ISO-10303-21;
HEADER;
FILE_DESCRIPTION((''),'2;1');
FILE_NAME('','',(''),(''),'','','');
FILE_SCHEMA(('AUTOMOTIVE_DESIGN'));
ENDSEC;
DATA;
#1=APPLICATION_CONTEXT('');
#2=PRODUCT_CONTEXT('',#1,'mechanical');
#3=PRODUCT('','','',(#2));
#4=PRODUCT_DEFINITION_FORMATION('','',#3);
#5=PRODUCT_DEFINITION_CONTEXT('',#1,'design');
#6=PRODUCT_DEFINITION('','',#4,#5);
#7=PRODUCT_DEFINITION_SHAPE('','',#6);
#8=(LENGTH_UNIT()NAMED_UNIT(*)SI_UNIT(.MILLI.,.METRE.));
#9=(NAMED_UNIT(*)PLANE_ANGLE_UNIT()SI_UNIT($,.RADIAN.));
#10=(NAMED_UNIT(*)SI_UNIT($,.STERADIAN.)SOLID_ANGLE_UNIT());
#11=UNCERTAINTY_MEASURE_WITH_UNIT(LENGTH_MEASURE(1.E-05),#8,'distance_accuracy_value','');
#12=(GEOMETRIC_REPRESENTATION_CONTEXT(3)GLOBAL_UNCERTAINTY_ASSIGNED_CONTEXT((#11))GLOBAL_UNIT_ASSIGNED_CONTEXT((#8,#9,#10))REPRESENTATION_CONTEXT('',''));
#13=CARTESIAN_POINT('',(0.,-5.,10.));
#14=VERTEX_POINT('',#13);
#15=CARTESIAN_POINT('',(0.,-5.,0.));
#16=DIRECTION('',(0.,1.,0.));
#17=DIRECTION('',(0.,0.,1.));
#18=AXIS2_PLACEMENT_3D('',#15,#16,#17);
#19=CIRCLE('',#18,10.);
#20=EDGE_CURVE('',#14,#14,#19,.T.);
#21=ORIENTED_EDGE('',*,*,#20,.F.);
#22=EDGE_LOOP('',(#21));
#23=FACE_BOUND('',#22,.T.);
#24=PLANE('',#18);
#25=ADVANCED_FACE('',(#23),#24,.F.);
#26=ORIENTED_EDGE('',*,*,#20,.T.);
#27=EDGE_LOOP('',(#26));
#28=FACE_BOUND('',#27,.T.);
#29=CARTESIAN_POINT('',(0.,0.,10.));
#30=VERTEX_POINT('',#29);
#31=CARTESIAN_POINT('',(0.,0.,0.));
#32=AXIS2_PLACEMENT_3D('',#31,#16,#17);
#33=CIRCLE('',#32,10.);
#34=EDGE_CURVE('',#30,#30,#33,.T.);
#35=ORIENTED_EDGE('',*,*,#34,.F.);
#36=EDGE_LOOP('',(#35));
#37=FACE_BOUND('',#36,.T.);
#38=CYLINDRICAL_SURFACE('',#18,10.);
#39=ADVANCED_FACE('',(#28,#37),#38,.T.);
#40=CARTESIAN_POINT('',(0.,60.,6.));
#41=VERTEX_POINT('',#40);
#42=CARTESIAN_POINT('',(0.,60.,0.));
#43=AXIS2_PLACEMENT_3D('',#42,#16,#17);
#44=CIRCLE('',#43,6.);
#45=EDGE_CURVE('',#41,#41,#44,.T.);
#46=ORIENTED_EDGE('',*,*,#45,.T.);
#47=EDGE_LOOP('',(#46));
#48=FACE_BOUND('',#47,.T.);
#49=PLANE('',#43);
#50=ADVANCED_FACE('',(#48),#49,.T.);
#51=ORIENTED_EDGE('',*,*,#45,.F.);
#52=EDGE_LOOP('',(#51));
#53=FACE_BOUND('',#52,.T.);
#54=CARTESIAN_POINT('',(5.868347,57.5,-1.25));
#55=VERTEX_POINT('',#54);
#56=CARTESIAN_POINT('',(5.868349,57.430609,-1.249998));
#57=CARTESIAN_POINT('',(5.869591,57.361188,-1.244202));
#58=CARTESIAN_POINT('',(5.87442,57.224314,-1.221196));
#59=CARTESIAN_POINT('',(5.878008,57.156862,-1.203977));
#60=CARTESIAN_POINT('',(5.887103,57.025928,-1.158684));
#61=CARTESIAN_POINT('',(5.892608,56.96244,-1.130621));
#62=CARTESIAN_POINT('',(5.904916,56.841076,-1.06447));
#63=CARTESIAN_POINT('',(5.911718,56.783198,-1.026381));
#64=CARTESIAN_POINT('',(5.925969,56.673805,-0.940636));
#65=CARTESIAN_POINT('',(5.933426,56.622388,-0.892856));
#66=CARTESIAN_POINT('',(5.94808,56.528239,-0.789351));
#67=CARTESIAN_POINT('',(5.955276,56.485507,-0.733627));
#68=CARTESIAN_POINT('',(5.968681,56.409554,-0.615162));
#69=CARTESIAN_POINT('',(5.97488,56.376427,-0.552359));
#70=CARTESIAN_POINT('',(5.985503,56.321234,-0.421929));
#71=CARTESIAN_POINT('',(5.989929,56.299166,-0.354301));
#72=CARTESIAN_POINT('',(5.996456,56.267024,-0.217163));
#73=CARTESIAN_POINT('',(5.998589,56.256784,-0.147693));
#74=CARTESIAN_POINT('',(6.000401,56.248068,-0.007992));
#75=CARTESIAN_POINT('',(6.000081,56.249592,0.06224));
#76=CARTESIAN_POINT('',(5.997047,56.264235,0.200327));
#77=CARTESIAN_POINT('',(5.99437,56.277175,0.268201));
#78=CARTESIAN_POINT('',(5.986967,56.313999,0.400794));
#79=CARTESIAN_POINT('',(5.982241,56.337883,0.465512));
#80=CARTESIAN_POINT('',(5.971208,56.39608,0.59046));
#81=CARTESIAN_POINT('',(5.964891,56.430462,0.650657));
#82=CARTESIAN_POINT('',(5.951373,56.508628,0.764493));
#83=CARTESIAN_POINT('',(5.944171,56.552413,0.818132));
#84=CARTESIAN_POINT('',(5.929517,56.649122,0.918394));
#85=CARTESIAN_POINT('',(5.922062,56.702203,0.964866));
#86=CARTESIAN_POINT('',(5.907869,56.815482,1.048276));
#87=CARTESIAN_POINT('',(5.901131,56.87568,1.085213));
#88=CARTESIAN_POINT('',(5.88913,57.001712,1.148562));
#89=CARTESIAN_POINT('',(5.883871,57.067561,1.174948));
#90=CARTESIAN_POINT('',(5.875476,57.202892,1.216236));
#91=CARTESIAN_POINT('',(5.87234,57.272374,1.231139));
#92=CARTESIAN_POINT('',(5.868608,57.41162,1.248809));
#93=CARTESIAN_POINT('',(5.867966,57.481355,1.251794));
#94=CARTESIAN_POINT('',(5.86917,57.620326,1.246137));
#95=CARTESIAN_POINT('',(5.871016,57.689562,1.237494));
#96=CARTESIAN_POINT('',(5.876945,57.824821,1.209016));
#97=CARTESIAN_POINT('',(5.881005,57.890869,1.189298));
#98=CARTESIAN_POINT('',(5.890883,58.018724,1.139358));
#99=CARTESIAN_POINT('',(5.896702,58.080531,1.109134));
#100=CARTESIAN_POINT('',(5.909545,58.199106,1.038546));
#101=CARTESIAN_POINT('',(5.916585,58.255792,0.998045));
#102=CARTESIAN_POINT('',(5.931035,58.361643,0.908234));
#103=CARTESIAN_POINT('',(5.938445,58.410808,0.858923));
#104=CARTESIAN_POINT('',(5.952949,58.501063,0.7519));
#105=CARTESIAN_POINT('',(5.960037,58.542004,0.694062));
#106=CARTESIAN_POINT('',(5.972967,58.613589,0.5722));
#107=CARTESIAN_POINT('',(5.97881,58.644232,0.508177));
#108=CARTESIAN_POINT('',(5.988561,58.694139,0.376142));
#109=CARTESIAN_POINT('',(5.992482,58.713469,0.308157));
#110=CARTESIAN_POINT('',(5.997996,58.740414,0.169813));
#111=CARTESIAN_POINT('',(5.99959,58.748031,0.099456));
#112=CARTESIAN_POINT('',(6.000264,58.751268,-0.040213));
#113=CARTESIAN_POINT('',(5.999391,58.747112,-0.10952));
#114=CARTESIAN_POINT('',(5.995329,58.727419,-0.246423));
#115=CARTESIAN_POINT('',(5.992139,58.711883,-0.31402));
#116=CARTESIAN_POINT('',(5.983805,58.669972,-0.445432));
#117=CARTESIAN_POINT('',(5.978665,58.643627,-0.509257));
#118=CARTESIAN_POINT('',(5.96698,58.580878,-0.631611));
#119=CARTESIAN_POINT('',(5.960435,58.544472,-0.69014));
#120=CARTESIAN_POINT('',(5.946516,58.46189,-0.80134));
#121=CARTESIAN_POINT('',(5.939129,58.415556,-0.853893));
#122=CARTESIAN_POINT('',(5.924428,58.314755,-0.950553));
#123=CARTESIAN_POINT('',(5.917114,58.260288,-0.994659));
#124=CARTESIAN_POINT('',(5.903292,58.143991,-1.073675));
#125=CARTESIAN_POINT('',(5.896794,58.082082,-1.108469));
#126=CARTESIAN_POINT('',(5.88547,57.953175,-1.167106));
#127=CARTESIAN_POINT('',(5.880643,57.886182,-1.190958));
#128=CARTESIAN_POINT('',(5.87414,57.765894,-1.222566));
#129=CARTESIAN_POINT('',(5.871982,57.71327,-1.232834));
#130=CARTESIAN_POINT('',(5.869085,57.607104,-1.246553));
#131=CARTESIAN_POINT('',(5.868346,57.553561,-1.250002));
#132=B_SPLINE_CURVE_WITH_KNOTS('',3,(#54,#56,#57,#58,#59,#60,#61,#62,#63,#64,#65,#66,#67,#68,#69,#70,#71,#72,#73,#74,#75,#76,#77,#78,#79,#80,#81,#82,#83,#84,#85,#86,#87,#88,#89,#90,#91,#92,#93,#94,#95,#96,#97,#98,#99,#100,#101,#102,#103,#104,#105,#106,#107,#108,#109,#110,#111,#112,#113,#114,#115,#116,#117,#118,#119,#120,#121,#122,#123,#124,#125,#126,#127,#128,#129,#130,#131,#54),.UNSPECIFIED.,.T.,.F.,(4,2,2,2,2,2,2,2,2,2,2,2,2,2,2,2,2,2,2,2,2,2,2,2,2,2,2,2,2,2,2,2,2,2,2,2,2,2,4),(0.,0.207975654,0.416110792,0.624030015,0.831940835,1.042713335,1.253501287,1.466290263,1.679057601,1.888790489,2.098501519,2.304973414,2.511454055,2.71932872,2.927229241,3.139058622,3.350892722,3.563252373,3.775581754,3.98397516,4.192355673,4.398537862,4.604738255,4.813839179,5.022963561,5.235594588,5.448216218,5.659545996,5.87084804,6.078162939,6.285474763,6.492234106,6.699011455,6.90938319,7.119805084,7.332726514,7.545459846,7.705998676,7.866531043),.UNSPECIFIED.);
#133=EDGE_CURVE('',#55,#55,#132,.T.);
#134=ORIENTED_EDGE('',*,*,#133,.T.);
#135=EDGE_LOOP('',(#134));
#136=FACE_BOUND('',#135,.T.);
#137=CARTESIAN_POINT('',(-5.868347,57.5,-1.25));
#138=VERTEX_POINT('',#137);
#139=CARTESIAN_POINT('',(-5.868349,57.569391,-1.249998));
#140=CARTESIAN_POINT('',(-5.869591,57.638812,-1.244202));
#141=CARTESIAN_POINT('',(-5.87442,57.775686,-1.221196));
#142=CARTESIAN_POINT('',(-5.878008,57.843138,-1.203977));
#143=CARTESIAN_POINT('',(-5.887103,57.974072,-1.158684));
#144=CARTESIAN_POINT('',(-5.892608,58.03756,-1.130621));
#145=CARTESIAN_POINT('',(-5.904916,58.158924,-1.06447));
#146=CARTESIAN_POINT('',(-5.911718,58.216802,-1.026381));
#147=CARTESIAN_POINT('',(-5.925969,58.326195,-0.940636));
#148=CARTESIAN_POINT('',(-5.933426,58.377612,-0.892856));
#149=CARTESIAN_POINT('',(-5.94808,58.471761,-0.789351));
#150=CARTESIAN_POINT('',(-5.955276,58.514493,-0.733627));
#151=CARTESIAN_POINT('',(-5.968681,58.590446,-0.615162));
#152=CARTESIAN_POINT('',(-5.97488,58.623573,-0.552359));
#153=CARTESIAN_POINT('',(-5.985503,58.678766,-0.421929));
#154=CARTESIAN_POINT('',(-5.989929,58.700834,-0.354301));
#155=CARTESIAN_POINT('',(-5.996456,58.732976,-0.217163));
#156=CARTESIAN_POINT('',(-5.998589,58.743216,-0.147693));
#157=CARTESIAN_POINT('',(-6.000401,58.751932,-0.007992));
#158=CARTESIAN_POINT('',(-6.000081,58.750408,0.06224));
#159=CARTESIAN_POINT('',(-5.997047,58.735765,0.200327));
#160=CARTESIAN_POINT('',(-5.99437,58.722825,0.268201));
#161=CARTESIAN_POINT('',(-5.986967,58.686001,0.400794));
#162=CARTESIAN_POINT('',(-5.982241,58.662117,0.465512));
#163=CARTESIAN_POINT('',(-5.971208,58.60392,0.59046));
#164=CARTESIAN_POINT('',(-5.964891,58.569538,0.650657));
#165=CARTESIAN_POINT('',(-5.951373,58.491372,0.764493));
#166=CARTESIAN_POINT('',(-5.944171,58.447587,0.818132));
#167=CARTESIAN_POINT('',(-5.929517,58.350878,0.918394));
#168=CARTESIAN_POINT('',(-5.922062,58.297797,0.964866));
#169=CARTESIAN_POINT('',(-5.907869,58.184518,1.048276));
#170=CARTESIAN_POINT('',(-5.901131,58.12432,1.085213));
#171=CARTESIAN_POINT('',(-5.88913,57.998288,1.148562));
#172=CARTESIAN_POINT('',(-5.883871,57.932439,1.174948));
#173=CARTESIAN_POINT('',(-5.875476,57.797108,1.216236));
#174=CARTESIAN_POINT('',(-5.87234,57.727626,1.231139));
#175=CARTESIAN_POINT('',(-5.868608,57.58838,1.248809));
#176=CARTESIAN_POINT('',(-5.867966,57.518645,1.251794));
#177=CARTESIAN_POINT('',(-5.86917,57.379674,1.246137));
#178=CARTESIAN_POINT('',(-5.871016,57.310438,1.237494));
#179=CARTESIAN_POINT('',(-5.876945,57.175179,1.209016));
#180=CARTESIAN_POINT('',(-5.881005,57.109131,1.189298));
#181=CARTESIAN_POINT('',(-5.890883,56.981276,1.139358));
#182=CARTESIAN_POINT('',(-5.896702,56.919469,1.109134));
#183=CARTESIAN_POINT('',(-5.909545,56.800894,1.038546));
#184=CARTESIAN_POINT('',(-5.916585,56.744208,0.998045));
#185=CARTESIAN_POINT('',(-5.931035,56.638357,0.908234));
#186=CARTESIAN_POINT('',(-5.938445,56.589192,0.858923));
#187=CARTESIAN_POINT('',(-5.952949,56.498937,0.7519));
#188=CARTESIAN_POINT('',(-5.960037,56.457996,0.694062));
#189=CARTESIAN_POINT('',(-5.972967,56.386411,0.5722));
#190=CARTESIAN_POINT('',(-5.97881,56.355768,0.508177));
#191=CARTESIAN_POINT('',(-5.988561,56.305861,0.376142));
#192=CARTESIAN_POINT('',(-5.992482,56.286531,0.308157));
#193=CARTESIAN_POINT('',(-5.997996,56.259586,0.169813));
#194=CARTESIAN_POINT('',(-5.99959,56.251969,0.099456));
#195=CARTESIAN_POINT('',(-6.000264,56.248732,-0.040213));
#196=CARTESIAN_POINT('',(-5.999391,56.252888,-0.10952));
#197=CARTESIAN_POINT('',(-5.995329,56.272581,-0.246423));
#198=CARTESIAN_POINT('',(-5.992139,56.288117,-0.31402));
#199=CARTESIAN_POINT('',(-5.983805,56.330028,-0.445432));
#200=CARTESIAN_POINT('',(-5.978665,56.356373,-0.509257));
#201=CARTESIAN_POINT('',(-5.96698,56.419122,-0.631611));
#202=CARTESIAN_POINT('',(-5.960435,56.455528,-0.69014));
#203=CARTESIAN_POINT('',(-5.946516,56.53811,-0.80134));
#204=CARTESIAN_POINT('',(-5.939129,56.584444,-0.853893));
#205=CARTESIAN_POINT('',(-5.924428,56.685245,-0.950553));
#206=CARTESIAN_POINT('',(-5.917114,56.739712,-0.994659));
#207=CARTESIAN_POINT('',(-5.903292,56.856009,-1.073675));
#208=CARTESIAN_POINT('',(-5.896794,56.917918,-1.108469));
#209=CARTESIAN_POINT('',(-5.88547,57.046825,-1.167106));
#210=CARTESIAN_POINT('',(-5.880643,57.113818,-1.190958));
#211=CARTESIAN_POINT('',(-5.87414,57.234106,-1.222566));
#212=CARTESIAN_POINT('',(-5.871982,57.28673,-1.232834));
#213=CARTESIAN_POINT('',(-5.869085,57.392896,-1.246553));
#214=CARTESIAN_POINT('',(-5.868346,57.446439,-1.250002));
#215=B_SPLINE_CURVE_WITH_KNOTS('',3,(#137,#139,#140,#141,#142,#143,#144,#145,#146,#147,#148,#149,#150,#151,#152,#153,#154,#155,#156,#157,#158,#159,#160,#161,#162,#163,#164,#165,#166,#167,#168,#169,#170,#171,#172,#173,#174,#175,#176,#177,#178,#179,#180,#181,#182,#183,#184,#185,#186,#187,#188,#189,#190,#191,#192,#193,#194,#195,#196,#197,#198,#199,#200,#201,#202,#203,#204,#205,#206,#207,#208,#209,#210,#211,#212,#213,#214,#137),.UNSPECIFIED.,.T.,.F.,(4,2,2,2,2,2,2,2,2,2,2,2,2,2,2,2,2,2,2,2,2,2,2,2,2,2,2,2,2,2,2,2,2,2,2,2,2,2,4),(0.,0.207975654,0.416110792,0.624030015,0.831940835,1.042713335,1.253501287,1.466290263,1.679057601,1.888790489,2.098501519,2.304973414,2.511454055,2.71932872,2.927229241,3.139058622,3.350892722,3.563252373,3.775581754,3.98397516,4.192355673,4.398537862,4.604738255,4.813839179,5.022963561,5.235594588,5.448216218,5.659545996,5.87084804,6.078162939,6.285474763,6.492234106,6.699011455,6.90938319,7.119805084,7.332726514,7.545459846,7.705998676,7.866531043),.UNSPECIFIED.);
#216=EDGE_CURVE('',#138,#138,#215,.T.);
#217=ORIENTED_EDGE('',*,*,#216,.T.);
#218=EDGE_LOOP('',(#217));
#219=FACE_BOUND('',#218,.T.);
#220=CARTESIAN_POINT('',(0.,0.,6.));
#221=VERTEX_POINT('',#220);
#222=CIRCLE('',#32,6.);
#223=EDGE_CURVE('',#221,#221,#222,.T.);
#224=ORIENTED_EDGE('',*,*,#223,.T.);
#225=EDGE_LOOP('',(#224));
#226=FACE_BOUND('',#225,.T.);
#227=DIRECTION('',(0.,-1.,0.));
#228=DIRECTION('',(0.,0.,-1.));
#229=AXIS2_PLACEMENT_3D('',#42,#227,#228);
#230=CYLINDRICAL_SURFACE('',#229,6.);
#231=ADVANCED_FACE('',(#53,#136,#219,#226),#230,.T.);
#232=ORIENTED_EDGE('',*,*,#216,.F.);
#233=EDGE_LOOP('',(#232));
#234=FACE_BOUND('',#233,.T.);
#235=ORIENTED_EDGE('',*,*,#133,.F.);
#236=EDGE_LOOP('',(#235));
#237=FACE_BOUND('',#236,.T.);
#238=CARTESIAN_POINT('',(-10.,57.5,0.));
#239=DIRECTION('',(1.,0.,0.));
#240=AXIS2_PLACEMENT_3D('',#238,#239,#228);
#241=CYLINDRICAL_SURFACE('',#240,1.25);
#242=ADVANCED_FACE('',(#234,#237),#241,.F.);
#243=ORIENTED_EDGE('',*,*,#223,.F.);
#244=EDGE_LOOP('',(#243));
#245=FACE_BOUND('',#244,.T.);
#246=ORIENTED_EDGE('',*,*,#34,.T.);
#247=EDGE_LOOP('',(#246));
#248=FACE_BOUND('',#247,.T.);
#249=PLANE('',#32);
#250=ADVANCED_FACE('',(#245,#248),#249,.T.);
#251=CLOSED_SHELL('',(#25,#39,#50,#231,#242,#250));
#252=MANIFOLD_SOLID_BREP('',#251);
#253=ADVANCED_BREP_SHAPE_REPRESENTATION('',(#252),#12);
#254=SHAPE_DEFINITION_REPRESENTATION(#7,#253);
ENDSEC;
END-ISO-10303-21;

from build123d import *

# Parameters (mm, degrees)
SKETCH1_R               = 6
BOSS_EXTRUDE1_DEPTH     = 60
SKETCH1_3_R             = 10
BOSS_EXTRUDE2_DEPTH     = 5
CUT_EXTRUDE1_DEPTH      = 62.64414003
CUT_EXTRUDE1_DEPTH_BACK = 62.64414003
SKETCH2_R               = 1.25


with BuildPart() as part:
    # Sketch1 → Boss-Extrude1 (new body)
    with BuildSketch(Plane(origin=(0, 0, 0), x_dir=(1, 0, 0), z_dir=(0, 1, 0))):
        Circle(SKETCH1_R)
    extrude(amount=BOSS_EXTRUDE1_DEPTH)

    # Sketch1<3> → Boss-Extrude2 (add)
    with BuildSketch(Plane(origin=(0, 0, 0), x_dir=(1, 0, 0), z_dir=(0, 1, 0))):
        Circle(SKETCH1_3_R)
    extrude(amount=-BOSS_EXTRUDE2_DEPTH)

    # Sketch2 → Cut-Extrude1 (cut, two sides: drawn at the far end of the back side and taken through both)
    with BuildSketch(Plane(origin=(0, 0, 0), x_dir=(0, 0, -1), z_dir=(1, 0, 0)).offset(-CUT_EXTRUDE1_DEPTH_BACK)):
        with Locations((0, 57.5)):
            Circle(SKETCH2_R)
    extrude(amount=CUT_EXTRUDE1_DEPTH + CUT_EXTRUDE1_DEPTH_BACK, mode=Mode.SUBTRACT)


solid = part.part
